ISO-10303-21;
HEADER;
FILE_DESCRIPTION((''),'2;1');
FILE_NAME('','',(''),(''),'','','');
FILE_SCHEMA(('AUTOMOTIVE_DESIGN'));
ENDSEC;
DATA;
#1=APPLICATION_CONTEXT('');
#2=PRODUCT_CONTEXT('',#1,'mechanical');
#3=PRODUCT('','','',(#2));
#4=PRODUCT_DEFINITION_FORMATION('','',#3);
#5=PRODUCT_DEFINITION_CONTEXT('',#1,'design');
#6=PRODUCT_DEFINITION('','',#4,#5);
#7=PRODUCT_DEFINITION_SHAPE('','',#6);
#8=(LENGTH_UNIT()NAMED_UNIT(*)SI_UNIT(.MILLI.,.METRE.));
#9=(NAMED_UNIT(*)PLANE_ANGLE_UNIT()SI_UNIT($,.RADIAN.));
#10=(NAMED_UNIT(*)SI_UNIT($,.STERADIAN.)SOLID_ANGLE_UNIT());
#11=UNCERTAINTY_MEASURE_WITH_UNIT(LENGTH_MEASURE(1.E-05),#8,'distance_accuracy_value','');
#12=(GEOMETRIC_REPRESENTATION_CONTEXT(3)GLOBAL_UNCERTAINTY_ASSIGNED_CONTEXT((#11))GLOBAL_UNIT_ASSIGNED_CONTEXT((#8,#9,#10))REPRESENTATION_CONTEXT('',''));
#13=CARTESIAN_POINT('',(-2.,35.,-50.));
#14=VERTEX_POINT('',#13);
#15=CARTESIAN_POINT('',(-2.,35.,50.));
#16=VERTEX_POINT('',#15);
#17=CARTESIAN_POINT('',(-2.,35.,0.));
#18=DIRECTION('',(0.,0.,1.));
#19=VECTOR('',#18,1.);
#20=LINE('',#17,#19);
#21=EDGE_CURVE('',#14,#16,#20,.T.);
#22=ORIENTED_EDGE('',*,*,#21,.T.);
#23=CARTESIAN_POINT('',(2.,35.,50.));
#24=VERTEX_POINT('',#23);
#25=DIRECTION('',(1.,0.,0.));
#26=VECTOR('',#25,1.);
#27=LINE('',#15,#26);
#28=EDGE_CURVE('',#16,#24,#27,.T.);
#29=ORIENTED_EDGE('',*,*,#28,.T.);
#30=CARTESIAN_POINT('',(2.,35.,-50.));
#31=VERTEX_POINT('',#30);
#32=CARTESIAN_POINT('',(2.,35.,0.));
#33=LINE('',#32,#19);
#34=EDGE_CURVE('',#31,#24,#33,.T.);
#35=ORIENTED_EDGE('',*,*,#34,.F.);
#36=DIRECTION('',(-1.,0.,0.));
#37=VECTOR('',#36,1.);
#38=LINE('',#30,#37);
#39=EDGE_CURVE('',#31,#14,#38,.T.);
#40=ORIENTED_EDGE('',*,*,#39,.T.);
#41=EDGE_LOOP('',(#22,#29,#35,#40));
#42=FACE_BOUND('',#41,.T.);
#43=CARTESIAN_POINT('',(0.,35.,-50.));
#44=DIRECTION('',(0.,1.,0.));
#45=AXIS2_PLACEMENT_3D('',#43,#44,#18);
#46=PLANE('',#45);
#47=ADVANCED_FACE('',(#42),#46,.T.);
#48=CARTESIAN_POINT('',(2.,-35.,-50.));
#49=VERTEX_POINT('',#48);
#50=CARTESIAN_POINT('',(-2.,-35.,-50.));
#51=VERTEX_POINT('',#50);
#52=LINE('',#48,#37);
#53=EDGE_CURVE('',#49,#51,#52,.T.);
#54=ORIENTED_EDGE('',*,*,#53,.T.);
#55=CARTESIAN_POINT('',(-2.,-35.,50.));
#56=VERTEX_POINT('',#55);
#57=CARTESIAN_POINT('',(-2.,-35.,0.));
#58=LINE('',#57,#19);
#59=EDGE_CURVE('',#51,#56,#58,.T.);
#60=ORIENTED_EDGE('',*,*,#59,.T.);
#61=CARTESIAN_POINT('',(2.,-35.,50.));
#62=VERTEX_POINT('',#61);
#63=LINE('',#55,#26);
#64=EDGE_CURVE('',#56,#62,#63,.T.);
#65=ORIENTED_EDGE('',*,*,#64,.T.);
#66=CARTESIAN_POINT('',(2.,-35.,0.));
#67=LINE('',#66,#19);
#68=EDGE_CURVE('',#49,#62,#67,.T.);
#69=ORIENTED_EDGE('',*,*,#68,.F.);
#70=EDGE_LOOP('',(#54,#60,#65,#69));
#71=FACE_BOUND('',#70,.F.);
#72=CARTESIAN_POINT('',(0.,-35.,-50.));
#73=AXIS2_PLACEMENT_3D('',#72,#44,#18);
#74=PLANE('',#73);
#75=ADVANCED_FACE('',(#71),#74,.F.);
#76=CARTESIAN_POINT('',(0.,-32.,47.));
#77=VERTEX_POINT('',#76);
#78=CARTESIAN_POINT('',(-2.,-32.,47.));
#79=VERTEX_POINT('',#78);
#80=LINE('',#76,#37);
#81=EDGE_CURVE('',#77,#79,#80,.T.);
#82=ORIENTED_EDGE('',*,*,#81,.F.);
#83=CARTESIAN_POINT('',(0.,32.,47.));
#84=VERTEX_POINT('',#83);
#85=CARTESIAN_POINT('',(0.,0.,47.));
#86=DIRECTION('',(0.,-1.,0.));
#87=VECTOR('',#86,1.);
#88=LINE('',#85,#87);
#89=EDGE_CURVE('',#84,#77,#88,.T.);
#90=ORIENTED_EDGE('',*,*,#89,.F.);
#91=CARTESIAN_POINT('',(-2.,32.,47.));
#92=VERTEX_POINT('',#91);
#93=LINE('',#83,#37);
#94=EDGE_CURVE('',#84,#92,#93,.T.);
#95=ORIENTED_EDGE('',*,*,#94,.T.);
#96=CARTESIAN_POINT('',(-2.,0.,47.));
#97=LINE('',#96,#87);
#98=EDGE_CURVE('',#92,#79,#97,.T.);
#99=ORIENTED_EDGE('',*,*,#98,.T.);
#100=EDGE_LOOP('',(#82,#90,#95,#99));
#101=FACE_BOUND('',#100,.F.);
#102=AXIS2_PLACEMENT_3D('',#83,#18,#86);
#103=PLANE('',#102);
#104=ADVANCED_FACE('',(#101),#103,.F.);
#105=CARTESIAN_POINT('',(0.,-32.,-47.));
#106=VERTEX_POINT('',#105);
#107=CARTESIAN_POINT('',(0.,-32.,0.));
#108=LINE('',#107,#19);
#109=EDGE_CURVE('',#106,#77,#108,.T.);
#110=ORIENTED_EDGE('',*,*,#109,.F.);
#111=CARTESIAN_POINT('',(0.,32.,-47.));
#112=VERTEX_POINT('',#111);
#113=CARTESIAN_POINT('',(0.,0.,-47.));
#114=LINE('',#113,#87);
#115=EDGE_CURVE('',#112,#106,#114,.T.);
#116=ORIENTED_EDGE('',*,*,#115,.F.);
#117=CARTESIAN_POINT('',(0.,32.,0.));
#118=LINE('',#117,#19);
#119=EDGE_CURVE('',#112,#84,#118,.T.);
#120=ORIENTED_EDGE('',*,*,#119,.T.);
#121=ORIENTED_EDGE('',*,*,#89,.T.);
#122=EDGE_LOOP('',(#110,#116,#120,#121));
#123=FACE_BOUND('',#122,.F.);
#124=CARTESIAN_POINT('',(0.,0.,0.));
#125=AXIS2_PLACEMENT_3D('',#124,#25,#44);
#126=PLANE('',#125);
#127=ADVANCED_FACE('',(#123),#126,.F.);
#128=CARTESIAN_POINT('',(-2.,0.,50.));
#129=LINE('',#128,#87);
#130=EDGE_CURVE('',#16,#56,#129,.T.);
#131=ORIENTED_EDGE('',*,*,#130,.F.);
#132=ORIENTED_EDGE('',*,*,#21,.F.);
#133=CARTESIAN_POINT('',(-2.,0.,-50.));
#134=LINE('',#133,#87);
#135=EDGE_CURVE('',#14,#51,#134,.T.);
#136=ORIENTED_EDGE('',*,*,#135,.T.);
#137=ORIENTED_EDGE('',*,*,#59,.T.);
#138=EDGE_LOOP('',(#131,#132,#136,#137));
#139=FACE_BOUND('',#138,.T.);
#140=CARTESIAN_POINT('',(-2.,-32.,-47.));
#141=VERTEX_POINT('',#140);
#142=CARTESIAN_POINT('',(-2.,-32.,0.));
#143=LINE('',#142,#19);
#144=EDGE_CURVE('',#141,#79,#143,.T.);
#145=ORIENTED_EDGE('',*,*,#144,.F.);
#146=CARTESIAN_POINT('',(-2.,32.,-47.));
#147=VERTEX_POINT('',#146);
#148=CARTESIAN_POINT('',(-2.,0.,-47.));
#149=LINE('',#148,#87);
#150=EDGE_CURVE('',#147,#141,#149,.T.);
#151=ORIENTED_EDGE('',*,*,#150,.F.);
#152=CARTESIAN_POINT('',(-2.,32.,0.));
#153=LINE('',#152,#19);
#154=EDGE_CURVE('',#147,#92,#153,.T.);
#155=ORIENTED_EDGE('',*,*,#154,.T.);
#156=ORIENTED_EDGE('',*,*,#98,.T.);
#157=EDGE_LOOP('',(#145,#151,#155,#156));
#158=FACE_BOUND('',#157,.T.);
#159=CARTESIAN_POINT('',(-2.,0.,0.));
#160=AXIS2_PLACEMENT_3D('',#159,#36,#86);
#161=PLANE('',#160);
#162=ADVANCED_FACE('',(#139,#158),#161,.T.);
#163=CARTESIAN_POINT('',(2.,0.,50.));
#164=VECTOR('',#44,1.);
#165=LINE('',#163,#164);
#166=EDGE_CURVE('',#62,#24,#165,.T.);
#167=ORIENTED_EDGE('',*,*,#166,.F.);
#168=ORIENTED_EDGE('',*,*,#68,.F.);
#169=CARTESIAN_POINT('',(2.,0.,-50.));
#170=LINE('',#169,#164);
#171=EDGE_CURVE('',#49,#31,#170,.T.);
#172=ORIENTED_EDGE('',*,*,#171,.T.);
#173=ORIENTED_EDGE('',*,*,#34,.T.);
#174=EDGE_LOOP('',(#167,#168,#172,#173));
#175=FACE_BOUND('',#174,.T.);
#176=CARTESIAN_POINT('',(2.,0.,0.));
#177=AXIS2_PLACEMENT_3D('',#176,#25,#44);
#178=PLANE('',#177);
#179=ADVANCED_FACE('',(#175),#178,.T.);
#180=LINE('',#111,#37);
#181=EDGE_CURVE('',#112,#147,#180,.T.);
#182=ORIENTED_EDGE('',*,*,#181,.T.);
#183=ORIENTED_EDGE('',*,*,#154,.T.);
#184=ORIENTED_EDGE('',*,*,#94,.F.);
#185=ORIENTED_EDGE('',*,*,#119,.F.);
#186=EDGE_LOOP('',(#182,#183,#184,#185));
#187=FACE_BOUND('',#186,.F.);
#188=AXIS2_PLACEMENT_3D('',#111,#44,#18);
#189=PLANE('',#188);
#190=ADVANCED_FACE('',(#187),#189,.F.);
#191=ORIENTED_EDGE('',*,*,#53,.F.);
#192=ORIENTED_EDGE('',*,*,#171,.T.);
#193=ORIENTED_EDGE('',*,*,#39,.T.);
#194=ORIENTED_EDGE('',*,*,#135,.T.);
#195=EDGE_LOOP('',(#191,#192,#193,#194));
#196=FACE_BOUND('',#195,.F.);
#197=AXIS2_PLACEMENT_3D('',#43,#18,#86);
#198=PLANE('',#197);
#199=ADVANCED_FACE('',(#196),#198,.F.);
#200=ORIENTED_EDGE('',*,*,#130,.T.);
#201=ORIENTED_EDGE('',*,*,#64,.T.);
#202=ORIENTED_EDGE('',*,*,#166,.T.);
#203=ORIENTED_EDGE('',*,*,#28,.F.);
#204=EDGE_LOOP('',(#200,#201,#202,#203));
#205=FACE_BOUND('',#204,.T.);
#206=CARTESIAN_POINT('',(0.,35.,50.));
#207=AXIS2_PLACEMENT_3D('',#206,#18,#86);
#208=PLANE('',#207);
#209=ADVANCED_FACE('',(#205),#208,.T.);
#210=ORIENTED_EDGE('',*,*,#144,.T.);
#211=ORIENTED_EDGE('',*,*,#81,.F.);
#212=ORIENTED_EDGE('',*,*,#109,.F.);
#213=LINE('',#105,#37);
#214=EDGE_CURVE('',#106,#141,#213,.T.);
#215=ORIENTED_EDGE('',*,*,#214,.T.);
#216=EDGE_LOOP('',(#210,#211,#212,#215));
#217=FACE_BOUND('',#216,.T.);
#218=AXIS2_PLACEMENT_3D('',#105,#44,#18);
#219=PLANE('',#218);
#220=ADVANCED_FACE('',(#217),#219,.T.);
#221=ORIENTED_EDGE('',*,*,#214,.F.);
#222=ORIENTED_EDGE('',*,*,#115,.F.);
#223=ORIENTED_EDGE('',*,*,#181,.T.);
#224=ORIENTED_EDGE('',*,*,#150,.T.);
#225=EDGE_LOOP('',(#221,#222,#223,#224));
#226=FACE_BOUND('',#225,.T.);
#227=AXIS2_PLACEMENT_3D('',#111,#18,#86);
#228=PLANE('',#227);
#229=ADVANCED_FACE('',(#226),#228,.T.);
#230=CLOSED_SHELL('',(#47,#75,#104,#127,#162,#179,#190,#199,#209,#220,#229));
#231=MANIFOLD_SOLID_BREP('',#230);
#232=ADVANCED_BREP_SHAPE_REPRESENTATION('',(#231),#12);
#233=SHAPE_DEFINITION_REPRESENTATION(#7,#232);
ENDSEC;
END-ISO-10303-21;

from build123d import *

# Parameters (mm, degrees)
F0_W     = 70
F0_H     = 100
F1_DEPTH = 2
F2_W     = 70
F2_H     = 100
F2_W_2   = 64
F2_H_2   = 94
F3_DEPTH = 2


with BuildPart() as f1:
    # F0 (on Right) → F1 (new body)
    with BuildSketch(Plane.YZ):
        Rectangle(F0_W, F0_H)
    extrude(amount=F1_DEPTH)

    # F2 (on face) → F3 (join)
    with BuildSketch(Plane(origin=(0, 0, 0), x_dir=(0, -1, 0), z_dir=(-1, 0, 0))):
        Rectangle(F2_W, F2_H)
        Rectangle(F2_W_2, F2_H_2, mode=Mode.SUBTRACT)
    extrude(amount=F3_DEPTH)


solid = f1.part
